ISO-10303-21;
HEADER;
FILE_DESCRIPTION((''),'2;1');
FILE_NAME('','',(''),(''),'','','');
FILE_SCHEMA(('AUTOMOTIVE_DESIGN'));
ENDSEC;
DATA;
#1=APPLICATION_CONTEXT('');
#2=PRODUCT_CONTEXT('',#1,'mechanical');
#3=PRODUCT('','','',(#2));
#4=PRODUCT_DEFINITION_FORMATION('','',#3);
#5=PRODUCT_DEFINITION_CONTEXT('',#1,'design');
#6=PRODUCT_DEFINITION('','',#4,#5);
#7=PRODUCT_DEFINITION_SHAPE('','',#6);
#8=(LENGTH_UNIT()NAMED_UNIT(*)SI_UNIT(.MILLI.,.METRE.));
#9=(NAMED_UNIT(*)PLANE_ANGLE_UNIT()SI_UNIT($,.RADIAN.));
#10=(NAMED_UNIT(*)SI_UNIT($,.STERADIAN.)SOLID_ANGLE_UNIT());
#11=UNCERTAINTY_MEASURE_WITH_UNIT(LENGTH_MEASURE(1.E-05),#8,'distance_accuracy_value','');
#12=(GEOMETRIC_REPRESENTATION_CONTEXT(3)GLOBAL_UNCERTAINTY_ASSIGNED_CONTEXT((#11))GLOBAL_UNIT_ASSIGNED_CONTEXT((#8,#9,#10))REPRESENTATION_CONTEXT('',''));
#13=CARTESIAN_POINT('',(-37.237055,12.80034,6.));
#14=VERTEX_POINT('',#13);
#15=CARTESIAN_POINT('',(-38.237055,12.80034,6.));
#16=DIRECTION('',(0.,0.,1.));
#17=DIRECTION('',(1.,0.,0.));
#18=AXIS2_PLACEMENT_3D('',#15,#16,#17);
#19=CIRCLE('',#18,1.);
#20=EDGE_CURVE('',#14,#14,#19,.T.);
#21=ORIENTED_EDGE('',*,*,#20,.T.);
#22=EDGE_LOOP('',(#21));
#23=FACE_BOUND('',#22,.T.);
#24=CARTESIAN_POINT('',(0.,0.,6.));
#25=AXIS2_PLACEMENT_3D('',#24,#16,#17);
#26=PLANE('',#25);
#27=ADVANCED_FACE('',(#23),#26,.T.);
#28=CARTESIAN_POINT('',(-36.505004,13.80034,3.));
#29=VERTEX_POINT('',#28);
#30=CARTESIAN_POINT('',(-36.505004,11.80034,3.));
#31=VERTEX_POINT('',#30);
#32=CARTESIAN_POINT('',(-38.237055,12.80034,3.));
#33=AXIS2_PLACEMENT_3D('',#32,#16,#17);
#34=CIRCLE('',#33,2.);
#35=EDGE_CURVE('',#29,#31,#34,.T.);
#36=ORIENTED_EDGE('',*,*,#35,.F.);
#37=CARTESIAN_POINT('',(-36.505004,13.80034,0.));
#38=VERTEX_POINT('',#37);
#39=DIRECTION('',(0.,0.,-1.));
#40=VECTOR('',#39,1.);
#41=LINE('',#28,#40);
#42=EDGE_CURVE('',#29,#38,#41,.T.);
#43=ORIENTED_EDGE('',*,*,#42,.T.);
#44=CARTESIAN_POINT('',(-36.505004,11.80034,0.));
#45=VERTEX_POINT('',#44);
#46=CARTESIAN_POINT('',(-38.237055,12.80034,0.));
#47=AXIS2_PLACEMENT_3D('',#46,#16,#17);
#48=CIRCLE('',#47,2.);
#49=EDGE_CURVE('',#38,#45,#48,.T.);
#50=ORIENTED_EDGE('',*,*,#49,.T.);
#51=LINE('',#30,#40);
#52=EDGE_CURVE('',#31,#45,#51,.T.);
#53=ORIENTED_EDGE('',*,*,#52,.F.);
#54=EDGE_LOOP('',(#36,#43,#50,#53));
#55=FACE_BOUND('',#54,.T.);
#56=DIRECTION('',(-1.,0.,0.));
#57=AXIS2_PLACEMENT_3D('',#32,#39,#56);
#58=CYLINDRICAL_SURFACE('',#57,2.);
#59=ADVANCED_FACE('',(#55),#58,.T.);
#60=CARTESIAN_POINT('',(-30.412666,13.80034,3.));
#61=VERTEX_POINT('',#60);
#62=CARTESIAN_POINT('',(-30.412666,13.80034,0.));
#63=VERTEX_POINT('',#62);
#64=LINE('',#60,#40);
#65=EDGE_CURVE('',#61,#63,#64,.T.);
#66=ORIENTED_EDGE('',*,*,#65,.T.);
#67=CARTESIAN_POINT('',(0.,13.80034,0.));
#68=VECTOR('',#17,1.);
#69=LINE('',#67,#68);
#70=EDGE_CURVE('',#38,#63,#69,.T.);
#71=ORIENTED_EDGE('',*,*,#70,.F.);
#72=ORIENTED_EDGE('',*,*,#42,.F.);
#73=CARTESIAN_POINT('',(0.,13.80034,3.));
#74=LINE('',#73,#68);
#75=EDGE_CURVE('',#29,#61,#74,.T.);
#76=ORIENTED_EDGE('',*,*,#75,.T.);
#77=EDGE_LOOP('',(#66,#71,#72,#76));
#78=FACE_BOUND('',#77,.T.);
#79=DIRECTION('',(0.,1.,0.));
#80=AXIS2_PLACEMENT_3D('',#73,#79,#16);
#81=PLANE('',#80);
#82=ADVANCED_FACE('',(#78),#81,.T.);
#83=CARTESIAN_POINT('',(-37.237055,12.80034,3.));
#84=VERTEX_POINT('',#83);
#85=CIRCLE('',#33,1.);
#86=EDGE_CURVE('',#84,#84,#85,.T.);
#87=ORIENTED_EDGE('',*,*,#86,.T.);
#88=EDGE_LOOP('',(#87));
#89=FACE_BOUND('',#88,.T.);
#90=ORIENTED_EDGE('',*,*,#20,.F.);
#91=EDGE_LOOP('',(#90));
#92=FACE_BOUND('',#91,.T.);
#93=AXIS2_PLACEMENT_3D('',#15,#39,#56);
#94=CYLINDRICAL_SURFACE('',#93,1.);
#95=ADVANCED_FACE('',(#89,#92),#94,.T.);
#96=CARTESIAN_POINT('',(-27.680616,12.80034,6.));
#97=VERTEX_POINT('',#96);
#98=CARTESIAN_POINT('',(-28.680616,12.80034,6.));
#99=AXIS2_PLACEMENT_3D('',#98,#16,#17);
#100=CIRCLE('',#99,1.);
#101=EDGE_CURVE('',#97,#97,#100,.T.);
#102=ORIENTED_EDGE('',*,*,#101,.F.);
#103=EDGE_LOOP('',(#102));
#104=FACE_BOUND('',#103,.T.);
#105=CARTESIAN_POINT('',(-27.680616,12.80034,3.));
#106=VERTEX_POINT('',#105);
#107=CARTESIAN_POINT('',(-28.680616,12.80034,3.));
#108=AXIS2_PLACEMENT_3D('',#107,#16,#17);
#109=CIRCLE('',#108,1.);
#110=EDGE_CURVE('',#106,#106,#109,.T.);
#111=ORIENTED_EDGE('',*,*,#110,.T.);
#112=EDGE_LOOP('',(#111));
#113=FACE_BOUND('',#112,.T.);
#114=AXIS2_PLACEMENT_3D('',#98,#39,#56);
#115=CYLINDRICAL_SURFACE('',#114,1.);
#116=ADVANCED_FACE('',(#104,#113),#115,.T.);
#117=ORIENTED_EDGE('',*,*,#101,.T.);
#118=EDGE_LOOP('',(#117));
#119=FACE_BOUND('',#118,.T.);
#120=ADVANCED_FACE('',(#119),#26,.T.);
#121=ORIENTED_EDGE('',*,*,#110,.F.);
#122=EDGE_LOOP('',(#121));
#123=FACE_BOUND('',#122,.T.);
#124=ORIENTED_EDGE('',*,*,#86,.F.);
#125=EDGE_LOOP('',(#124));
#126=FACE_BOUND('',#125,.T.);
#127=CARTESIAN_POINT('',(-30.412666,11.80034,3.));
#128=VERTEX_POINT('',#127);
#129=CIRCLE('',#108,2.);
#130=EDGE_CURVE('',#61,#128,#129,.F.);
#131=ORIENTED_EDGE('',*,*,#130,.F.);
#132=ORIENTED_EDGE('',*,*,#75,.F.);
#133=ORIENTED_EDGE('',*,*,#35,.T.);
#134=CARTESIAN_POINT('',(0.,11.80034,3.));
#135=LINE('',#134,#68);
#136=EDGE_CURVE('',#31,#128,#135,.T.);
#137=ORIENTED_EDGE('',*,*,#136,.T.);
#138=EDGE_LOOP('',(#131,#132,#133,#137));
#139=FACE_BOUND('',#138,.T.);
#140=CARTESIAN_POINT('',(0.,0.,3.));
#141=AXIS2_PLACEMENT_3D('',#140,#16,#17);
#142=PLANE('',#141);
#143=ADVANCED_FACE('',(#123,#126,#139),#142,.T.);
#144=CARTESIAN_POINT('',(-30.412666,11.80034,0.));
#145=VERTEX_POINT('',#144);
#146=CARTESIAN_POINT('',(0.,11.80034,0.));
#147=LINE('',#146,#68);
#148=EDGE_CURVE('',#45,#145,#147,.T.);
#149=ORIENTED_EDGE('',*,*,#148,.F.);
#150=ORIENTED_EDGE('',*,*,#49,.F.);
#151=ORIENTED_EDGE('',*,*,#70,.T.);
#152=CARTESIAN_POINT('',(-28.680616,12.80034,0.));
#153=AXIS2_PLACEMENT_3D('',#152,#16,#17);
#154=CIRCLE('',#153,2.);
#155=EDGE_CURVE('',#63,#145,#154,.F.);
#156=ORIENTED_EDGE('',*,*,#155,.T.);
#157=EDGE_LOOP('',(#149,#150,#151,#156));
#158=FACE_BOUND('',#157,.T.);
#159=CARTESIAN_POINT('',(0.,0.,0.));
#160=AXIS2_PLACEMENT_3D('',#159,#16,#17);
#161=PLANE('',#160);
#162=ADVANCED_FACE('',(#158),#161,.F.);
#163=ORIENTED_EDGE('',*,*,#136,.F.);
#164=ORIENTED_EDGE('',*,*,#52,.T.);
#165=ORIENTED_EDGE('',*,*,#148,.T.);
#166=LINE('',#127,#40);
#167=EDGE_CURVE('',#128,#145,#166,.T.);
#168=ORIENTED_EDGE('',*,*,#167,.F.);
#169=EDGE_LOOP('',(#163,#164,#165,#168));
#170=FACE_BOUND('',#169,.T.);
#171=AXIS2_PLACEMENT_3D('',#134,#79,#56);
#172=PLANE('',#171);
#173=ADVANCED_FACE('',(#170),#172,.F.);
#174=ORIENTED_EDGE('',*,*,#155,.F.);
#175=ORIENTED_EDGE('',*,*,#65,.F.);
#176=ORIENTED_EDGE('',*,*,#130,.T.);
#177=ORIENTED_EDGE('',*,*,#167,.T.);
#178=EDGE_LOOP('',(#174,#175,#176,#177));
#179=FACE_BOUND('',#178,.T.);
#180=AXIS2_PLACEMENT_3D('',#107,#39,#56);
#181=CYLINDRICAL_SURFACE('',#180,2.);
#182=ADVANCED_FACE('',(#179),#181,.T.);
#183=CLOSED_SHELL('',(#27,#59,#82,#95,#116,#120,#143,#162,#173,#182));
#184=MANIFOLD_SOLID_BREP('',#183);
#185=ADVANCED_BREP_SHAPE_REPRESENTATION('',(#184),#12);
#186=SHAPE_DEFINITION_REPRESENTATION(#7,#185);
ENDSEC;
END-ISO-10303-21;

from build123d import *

# Parameters (mm, degrees)
BOSS_EXTRUDE1_DEPTH = 3
SKETCH3_R           = 1
BOSS_EXTRUDE2_DEPTH = 3


with BuildPart() as part:
    # Sketch2 → Boss-Extrude1 (new body)
    with BuildSketch(Plane.XY):
        with BuildLine():
            Line((-36.5050045, 13.800340042), (-30.412666324, 13.800340042))
            ThreePointArc((-30.412666324, 13.800340042), (-26.680615516, 12.800340042), (-30.412666324, 11.800340042))
            Line((-30.412666324, 11.800340042), (-36.5050045, 11.800340042))
            ThreePointArc((-36.5050045, 11.800340042), (-40.237055307, 12.800340042), (-36.5050045, 13.800340042))
        make_face()
    extrude(amount=BOSS_EXTRUDE1_DEPTH)

    # Sketch3 → Boss-Extrude2 (add)
    with BuildSketch(Plane.XY.offset(3)):
        with Locations((-28.680615516, 12.800340042)):
            Circle(SKETCH3_R)
        with Locations((-38.237055307, 12.800340042)):
            Circle(SKETCH3_R)
    extrude(amount=BOSS_EXTRUDE2_DEPTH)


solid = part.part
